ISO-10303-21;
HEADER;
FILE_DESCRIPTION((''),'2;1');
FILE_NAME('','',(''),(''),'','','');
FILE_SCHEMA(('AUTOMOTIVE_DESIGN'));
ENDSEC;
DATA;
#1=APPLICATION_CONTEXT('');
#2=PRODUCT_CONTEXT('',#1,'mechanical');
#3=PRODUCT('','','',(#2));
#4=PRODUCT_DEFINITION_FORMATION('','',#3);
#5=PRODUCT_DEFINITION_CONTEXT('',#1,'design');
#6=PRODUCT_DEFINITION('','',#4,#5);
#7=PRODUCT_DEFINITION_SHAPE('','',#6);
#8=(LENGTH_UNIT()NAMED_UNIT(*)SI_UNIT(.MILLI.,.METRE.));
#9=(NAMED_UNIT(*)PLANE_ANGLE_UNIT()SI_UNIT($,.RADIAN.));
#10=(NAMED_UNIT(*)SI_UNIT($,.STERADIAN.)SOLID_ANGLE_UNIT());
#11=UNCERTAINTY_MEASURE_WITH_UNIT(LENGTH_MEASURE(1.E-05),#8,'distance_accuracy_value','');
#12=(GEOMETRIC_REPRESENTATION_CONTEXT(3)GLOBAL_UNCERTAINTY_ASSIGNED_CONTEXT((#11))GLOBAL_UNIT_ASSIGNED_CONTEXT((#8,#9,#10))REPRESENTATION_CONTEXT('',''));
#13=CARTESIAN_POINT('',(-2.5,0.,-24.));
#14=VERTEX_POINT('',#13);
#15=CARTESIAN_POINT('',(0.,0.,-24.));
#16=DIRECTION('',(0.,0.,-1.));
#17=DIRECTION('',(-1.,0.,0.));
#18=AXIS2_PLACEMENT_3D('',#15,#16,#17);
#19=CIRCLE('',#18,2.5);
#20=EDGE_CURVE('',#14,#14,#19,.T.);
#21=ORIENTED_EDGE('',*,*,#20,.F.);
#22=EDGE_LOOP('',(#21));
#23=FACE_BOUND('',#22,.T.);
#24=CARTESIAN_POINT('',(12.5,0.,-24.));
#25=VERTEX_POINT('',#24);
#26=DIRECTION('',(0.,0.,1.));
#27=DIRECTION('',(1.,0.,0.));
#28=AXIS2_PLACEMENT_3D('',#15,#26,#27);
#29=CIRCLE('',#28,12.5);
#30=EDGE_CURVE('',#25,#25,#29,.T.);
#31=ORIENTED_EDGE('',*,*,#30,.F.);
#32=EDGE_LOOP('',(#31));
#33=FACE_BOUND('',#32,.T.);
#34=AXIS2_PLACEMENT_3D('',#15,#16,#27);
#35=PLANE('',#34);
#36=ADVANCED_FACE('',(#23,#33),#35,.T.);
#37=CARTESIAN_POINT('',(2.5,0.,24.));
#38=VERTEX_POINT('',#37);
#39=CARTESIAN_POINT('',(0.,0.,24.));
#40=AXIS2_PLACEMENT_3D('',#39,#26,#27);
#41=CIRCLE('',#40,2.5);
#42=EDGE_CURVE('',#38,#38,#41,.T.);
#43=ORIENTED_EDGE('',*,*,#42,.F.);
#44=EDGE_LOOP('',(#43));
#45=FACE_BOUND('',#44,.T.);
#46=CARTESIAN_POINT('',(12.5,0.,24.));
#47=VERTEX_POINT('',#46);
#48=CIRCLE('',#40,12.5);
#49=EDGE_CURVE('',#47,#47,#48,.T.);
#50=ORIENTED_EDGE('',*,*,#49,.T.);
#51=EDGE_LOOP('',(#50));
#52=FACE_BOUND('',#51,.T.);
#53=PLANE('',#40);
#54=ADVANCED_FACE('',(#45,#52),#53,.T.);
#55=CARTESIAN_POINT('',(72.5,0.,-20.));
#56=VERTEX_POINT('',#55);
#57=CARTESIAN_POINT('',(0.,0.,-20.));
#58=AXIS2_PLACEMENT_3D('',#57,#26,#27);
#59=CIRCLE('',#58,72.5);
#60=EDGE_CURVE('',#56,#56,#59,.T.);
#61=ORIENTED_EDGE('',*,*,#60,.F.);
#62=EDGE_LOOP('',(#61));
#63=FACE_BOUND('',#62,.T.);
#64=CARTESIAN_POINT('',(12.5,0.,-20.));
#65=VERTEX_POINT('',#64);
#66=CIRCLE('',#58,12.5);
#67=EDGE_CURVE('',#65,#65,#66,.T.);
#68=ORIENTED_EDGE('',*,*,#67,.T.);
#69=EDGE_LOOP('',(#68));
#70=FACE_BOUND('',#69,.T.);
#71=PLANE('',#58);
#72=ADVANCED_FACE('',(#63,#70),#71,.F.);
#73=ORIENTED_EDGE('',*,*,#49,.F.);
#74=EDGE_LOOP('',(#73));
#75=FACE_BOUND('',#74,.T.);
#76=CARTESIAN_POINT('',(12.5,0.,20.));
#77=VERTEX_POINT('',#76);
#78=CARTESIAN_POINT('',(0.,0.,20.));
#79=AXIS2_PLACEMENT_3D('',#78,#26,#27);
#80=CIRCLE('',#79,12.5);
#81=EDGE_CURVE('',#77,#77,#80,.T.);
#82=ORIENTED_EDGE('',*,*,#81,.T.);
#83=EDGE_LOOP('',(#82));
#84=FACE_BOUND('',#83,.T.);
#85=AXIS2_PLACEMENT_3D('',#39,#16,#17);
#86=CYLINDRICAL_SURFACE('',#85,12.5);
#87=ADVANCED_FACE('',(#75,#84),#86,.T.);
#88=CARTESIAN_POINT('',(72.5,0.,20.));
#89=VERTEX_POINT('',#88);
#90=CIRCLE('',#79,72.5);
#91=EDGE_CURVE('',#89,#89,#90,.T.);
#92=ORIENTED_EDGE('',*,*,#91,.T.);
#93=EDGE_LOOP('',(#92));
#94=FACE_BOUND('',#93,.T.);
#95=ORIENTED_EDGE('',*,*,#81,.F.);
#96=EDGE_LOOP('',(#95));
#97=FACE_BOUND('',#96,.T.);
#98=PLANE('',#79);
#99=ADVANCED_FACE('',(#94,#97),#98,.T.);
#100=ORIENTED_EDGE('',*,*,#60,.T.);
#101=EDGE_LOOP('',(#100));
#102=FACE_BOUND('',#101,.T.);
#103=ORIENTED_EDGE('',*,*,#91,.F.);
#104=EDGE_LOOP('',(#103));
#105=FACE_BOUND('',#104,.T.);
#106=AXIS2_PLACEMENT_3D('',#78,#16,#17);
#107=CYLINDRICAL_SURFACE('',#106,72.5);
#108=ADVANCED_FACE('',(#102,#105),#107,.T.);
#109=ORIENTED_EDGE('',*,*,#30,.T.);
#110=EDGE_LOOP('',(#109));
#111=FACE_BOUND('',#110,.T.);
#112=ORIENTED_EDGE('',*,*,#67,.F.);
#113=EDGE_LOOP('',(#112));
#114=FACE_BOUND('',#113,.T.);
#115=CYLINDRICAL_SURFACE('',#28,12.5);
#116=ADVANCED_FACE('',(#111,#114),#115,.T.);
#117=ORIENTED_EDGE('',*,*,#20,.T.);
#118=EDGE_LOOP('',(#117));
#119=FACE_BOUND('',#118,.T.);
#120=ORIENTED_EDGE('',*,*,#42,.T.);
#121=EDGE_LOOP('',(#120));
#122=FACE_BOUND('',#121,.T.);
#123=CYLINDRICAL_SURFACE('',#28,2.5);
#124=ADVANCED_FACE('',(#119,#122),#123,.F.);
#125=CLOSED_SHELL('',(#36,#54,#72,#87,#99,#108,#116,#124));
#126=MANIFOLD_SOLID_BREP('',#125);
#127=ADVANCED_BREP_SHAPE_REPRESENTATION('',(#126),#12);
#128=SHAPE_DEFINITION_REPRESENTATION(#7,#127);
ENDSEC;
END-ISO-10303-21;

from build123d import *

# Parameters (mm, degrees)
SKETCH1_R           = 72.5
BOSS_EXTRUDE1_DEPTH = 20
SKETCH2_R           = 12.5
BOSS_EXTRUDE2_DEPTH = 4
KEYWAY_DEPTH        = 119.349858818


with BuildPart() as part:
    # Sketch1 → Boss-Extrude1 (new, symmetric)
    with BuildSketch(Plane.XY):
        Circle(SKETCH1_R)
    extrude(amount=BOSS_EXTRUDE1_DEPTH, both=True)

    # Sketch2 → Boss-Extrude2 (add)
    with BuildSketch(Plane.XY.offset(20)):
        Circle(SKETCH2_R)
    boss_extrude2 = extrude(amount=BOSS_EXTRUDE2_DEPTH)

    # Mirror1: Boss-Extrude2 across plane
    add(boss_extrude2.mirror(Plane.XY))

    # KeySketch → Keyway (cut, through all)
    with BuildSketch(Plane(origin=(6.62471706, 1.269697251, 24), x_dir=(1, 0, 0), z_dir=(0, 0, 1))):
        with BuildLine():
            ThreePointArc((-7.62471706, 1.021590597), (-6.62471706, -3.769697251), (-5.62471706, 1.021590597))
            ThreePointArc((-5.62471706, 1.021590597), (-6.62471706, 1.230302749), (-7.62471706, 1.021590597))
        make_face()
    extrude(amount=-KEYWAY_DEPTH, mode=Mode.SUBTRACT)


solid = part.part
